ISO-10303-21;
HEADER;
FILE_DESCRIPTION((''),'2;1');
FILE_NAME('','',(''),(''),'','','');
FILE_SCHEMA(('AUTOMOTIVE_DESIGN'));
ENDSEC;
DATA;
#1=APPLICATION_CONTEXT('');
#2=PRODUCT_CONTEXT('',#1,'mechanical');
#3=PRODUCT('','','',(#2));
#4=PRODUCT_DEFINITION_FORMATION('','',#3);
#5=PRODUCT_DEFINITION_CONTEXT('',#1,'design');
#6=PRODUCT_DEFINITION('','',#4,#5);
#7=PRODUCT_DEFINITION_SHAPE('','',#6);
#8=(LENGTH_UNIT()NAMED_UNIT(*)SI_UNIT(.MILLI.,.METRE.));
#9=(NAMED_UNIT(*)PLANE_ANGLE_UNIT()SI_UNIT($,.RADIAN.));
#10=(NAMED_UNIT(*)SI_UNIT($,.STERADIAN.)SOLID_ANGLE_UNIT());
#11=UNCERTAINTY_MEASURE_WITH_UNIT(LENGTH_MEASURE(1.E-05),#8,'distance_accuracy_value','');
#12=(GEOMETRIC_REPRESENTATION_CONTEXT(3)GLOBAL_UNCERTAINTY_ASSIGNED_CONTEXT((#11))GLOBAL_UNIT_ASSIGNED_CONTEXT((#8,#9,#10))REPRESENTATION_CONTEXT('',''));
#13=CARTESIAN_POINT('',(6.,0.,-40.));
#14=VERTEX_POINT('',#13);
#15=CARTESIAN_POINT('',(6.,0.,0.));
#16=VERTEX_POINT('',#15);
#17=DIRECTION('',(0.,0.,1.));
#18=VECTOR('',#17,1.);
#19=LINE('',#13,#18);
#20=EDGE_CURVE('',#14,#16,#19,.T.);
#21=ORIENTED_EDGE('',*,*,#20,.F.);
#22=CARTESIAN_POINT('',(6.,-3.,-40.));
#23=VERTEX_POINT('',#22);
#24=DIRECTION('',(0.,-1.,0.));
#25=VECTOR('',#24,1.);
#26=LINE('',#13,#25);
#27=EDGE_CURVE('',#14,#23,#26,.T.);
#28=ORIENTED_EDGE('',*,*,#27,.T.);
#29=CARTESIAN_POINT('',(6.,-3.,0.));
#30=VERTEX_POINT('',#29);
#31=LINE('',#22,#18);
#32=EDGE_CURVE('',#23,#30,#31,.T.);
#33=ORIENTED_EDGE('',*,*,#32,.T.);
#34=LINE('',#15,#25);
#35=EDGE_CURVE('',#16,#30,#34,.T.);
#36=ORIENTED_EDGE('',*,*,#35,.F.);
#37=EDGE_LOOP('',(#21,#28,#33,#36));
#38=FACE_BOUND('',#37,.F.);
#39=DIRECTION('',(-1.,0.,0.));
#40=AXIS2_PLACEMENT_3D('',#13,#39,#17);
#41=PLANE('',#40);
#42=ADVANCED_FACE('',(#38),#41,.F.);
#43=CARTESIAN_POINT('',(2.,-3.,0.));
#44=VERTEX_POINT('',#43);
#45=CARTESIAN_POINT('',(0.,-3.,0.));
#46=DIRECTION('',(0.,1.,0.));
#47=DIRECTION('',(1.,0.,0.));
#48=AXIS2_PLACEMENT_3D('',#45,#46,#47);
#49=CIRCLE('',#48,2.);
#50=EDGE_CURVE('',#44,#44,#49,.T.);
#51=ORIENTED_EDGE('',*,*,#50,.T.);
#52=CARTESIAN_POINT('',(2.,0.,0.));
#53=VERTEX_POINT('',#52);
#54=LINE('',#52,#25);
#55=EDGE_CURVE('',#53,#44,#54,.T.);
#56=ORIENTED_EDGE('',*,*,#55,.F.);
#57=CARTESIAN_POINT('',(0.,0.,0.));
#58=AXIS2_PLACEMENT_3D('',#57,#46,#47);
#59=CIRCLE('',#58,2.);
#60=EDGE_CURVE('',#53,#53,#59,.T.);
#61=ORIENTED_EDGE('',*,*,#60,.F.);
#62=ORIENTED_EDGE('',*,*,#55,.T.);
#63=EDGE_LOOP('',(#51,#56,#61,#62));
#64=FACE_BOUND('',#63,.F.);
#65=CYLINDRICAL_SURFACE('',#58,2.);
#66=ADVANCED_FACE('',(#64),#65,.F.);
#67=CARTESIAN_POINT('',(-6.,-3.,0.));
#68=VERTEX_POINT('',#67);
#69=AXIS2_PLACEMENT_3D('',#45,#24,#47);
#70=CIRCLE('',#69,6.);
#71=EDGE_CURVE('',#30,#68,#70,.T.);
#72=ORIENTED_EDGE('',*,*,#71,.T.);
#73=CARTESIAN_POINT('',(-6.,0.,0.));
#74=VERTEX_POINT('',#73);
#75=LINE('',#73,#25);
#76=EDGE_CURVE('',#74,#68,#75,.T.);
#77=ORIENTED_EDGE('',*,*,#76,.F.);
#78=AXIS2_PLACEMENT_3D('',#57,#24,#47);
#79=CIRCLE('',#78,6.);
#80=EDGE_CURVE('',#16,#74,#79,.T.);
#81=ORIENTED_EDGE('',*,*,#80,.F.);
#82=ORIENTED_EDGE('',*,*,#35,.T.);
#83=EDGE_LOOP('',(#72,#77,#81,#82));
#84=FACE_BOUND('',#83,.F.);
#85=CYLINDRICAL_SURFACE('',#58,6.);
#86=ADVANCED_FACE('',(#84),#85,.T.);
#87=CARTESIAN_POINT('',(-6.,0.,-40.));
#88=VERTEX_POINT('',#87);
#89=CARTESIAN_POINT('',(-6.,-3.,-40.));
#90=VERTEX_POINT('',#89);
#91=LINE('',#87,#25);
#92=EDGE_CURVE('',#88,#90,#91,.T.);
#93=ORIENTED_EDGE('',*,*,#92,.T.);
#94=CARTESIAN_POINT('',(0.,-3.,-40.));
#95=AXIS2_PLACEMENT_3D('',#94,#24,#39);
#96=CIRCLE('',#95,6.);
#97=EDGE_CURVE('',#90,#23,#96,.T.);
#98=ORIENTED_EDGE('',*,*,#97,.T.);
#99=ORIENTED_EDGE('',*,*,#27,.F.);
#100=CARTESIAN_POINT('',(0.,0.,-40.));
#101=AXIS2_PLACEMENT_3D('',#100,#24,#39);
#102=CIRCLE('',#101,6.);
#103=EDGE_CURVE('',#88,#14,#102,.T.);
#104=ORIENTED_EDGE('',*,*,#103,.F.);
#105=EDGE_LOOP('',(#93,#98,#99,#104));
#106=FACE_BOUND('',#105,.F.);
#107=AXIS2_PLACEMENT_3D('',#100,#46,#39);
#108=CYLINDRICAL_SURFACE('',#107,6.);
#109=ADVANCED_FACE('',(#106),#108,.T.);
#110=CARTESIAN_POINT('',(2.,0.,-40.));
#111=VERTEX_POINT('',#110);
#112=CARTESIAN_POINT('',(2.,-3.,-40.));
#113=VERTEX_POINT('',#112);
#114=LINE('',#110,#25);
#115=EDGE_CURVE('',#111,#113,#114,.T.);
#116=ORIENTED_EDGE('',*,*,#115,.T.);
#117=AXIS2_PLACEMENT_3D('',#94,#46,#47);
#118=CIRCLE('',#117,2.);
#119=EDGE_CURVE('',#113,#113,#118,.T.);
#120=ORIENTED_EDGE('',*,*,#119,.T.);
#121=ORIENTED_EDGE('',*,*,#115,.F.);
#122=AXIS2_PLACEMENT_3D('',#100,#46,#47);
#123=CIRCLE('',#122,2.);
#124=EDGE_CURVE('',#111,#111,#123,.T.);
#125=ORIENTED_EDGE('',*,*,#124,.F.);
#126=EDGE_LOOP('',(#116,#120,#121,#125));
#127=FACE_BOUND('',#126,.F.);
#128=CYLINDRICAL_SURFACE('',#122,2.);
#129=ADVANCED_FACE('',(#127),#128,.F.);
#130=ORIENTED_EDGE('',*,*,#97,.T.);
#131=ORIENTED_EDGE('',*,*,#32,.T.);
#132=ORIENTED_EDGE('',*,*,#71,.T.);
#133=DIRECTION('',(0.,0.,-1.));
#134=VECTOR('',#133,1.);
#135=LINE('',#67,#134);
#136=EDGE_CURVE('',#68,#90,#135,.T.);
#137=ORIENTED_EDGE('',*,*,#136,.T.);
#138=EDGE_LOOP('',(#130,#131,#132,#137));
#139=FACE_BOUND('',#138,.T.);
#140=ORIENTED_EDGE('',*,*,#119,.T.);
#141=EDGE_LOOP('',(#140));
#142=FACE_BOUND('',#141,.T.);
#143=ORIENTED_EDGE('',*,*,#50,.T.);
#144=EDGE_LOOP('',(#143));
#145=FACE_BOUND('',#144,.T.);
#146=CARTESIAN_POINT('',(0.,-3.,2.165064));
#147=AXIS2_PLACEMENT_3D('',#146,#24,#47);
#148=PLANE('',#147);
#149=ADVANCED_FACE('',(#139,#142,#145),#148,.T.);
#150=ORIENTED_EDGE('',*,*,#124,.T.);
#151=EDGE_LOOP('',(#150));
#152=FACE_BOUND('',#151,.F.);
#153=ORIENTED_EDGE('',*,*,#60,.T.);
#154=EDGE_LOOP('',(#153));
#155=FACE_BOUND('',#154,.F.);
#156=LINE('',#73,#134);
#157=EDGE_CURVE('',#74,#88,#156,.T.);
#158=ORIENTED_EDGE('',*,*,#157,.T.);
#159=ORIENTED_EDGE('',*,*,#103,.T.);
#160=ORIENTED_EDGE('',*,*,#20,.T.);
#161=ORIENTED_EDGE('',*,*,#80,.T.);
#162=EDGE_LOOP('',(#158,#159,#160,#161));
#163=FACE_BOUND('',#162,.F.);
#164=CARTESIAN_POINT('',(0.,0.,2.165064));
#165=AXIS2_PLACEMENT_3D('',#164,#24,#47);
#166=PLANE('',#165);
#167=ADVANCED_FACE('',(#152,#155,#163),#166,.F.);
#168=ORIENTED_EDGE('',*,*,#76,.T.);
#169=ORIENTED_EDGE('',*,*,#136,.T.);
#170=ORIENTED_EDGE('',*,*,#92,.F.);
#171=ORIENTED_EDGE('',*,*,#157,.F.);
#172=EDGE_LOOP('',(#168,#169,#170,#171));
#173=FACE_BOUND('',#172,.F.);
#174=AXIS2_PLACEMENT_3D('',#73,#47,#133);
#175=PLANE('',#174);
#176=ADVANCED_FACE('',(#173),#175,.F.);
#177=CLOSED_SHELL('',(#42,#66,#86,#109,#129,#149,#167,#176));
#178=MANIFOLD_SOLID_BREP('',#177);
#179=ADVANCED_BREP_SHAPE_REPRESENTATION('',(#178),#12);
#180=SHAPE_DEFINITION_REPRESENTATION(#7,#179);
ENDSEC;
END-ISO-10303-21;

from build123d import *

# Parameters (mm, degrees)
F1_DEPTH = 3


with BuildPart() as f1:
    # F0 (on Front) → F1 (new body)
    with BuildSketch(Plane.XZ):
        with BuildLine():
            Line((2, 0), (6, 0))
            ThreePointArc((6, 0), (0, 6), (-6, 0))
            Line((-6, 0), (-2, 0))
            ThreePointArc((-2, 0), (0, 2), (2, 0))
        make_face()
        with BuildLine():
            Line((6, -40), (6, 0))
            ThreePointArc((6, 0), (0, -6), (-6, 0))
            Line((-6, 0), (-6, -40))
            ThreePointArc((-6, -40), (0, -34), (6, -40))
        make_face()
        with BuildLine():
            ThreePointArc((-6, 0), (0, -6), (6, 0))
            Line((6, 0), (2, 0))
            ThreePointArc((2, 0), (0, -2), (-2, 0))
            Line((-2, 0), (-6, 0))
        make_face()
        with BuildLine():
            Line((2, -40), (6, -40))
            ThreePointArc((6, -40), (0, -34), (-6, -40))
            Line((-6, -40), (-2, -40))
            ThreePointArc((-2, -40), (0, -38), (2, -40))
        make_face()
        with BuildLine():
            ThreePointArc((-6, -40), (0, -46), (6, -40))
            Line((6, -40), (2, -40))
            ThreePointArc((2, -40), (0, -42), (-2, -40))
            Line((-2, -40), (-6, -40))
        make_face()
    extrude(amount=F1_DEPTH)


solid = f1.part
